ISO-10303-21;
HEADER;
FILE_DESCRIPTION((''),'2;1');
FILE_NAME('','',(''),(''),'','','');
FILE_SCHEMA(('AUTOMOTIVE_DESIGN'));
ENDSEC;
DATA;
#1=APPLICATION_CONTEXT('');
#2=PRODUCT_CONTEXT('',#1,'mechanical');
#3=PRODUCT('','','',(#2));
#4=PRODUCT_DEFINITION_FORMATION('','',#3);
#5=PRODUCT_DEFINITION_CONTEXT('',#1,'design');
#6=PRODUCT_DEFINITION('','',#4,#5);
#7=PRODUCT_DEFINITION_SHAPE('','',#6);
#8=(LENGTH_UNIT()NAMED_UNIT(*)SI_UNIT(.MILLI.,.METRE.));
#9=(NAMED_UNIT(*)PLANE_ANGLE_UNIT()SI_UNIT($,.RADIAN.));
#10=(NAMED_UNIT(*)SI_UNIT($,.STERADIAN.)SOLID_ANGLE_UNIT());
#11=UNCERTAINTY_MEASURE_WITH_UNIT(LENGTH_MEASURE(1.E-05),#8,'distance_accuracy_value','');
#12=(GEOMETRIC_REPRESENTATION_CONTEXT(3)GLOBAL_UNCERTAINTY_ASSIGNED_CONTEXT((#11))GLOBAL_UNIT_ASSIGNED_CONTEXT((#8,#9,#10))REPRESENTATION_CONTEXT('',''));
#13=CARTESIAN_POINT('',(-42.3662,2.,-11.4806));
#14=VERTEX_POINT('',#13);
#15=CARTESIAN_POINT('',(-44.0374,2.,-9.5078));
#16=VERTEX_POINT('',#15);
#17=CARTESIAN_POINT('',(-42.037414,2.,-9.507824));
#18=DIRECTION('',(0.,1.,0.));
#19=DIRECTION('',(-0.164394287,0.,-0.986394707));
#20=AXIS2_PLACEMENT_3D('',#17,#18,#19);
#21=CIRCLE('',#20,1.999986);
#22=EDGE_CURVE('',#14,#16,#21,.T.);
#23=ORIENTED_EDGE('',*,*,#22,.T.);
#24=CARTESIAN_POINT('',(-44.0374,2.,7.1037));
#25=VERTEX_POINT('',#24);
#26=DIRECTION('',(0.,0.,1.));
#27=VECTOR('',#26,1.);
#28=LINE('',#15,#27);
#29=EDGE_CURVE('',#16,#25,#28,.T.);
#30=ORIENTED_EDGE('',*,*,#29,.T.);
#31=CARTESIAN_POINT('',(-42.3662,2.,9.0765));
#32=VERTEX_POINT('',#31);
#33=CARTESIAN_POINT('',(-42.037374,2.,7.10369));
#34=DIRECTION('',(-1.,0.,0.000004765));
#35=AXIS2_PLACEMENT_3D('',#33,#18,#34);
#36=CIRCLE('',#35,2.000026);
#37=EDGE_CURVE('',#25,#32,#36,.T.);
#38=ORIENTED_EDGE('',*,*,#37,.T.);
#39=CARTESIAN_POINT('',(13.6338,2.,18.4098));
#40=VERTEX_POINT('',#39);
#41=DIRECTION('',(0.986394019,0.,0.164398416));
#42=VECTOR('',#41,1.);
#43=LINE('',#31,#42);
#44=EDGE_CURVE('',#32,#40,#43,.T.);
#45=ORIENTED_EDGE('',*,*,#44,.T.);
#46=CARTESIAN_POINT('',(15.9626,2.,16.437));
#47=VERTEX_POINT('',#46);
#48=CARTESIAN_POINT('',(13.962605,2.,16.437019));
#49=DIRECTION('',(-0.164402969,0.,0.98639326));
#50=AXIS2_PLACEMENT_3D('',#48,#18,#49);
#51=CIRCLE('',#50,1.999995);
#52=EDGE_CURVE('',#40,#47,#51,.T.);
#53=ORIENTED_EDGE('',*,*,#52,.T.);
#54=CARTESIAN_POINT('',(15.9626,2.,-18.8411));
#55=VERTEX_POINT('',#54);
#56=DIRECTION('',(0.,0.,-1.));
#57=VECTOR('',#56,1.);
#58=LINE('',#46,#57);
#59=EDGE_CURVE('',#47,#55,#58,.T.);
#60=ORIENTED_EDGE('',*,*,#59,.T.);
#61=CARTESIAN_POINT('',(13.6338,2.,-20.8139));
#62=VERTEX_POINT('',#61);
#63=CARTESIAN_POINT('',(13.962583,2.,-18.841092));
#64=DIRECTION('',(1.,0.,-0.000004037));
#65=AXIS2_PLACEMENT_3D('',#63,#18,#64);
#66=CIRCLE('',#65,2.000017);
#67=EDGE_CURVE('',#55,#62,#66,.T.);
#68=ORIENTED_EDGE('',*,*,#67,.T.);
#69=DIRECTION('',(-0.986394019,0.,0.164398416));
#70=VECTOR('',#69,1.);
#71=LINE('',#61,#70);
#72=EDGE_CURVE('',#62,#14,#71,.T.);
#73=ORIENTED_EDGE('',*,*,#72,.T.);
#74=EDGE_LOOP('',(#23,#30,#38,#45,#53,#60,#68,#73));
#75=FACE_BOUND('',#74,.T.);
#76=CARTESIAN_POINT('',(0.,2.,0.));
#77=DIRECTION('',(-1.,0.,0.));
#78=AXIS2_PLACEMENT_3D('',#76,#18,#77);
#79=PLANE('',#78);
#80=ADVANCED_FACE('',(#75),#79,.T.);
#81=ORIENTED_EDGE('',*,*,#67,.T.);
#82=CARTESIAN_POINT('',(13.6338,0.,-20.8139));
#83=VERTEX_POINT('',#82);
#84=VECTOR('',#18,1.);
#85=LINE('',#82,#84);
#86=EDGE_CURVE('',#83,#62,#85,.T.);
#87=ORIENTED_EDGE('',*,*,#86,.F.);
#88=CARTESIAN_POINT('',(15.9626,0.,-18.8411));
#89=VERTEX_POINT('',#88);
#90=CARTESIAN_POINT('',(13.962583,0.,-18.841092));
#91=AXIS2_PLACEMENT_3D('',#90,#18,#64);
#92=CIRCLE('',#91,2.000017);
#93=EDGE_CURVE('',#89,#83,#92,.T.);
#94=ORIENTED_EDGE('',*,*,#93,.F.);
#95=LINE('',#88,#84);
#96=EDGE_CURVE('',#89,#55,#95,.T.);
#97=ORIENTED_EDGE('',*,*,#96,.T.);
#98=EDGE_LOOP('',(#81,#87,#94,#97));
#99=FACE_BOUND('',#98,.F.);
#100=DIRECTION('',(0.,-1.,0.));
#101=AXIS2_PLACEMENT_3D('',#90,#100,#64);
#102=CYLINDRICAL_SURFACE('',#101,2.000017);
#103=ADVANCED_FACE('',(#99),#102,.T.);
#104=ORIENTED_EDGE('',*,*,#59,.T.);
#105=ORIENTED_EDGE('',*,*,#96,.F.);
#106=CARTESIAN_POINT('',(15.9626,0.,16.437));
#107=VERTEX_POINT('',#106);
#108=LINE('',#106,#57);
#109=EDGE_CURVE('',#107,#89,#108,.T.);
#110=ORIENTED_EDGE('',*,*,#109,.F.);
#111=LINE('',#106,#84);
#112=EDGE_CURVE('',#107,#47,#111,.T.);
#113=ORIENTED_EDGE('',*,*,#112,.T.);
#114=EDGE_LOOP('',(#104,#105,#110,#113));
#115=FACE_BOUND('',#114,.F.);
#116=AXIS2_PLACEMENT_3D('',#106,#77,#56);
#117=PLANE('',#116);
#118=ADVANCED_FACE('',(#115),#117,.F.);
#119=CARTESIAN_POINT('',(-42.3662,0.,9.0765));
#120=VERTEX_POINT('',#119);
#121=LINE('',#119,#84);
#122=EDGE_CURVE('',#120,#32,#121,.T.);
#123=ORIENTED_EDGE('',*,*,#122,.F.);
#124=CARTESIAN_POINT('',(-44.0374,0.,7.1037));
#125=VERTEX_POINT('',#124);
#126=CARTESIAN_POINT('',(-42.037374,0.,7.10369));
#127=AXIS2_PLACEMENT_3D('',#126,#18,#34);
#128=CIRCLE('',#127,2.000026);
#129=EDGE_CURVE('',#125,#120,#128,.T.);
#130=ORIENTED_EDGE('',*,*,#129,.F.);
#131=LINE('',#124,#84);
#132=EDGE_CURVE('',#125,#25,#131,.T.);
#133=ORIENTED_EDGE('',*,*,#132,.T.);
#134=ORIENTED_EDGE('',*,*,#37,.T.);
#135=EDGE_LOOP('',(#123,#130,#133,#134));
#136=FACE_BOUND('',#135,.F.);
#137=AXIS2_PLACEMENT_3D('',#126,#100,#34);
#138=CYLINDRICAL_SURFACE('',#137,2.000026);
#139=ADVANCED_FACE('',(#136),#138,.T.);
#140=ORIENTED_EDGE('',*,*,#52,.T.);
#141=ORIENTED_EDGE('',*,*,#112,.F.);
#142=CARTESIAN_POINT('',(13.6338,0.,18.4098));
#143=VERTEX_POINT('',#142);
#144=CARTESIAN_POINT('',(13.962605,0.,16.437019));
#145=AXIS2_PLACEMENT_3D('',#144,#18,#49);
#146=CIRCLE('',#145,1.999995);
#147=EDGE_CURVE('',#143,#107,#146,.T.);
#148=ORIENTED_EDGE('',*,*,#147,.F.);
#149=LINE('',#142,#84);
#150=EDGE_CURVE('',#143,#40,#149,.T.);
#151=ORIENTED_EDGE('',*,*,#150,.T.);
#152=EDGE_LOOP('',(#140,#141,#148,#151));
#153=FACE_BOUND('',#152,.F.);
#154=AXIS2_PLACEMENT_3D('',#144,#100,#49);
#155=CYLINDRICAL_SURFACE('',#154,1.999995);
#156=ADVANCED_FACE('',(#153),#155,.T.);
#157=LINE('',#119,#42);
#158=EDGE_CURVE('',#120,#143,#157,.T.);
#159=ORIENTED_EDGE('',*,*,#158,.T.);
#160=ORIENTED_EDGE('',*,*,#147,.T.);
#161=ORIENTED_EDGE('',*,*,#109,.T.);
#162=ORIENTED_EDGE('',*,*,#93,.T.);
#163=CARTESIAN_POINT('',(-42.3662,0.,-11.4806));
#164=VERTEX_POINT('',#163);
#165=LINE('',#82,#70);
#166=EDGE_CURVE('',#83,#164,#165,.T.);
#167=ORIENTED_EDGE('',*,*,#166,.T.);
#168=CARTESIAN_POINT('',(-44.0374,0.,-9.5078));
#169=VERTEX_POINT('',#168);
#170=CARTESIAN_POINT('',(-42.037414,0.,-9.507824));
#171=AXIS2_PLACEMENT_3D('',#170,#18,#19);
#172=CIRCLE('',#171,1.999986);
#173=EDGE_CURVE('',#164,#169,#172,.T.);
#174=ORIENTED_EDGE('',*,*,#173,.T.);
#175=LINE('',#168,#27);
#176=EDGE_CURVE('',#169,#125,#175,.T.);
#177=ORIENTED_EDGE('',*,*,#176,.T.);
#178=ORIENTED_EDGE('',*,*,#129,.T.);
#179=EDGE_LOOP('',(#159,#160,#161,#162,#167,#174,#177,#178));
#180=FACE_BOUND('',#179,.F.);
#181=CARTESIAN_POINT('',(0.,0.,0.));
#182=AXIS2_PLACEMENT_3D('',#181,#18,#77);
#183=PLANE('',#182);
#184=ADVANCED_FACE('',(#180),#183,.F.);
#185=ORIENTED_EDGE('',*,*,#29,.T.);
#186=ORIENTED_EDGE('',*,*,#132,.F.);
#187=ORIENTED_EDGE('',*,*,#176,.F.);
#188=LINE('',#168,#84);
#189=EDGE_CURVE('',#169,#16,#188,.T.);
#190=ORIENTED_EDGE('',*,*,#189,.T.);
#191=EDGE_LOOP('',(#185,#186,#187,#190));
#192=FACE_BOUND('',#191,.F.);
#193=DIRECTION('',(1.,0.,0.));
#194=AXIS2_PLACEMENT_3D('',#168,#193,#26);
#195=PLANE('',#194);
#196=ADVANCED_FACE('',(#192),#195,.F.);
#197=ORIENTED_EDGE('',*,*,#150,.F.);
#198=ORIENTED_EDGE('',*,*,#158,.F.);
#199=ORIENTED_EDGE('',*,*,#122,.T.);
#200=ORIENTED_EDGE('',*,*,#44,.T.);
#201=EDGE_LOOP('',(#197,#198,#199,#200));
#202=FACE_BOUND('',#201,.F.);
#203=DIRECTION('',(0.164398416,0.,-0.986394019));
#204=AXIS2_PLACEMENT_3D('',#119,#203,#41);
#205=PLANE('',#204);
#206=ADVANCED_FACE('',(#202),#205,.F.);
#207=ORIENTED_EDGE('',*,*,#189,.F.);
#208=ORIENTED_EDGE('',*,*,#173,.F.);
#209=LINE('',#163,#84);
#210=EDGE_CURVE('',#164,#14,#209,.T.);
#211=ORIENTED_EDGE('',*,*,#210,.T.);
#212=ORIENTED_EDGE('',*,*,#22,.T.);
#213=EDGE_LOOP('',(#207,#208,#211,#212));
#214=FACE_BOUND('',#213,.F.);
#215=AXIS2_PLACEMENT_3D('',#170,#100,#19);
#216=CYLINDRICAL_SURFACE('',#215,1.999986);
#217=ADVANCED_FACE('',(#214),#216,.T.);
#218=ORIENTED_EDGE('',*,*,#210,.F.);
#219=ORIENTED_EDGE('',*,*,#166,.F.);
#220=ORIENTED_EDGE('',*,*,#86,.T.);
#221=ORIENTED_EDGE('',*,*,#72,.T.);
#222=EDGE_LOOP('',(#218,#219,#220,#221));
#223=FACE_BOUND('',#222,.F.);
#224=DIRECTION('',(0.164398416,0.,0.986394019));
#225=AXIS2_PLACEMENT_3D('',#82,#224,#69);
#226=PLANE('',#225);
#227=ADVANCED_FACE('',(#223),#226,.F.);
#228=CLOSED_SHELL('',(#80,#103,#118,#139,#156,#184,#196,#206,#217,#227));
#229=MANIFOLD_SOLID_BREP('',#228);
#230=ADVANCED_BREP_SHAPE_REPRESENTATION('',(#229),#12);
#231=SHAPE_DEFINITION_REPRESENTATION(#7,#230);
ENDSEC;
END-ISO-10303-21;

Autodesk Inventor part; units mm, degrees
ref_plane "YZ Plane" through (0, 0, 0) normal (1, 0, 0) x (0, 1, 0)
ref_plane "XZ Plane" through (0, 0, 0) normal (0, 1, 0) x (-1, 0, 0)
ref_plane "XY Plane" through (0, 0, 0) normal (0, 0, 1) x (1, 0, 0)
sketch "Sketch1" plane through (0, 0, 0) normal (0, 1, 0) x (-1, 0, 0)
  line L0 (42.3662, 9.0765) -> (-13.6338, 18.4098)
  line L1 (-15.9626, 16.437) -> (-15.9626, -18.8411)
  line L2 (-13.6338, -20.8139) -> (42.3662, -11.4806)
  line L3 (44.0374, -9.5078) -> (44.0374, 7.1037)
  line L4 (44.0374, -1.202) -> (-15.9626, -1.202) construction
  arc A0 (-13.6338, 18.4098) -> (-15.9626, 16.437) centre (-13.9626, 16.437) ccw
  arc A1 (-15.9626, -18.8411) -> (-13.6338, -20.8139) centre (-13.9626, -18.8411) ccw
  arc A2 (44.0374, 7.1037) -> (42.3662, 9.0765) centre (42.0374, 7.1037) ccw
  arc A3 (42.3662, -11.4806) -> (44.0374, -9.5078) centre (42.0374, -9.5078) ccw
  point P0 (0, 0)
  point P1 (44.0374, 8.798)
  point P2 (-15.9626, -21.202)
  point P3 (-15.9626, 18.798)
  point P4 (44.0374, -11.202)
  dimension "d4" = 40
  dimension "d5" = 20
  dimension "d6" = 60
  dimension "d7" = 2
extrude "Extrusion1" add sketch "Sketch1" along normal blind 2
properties part number "Stand"
